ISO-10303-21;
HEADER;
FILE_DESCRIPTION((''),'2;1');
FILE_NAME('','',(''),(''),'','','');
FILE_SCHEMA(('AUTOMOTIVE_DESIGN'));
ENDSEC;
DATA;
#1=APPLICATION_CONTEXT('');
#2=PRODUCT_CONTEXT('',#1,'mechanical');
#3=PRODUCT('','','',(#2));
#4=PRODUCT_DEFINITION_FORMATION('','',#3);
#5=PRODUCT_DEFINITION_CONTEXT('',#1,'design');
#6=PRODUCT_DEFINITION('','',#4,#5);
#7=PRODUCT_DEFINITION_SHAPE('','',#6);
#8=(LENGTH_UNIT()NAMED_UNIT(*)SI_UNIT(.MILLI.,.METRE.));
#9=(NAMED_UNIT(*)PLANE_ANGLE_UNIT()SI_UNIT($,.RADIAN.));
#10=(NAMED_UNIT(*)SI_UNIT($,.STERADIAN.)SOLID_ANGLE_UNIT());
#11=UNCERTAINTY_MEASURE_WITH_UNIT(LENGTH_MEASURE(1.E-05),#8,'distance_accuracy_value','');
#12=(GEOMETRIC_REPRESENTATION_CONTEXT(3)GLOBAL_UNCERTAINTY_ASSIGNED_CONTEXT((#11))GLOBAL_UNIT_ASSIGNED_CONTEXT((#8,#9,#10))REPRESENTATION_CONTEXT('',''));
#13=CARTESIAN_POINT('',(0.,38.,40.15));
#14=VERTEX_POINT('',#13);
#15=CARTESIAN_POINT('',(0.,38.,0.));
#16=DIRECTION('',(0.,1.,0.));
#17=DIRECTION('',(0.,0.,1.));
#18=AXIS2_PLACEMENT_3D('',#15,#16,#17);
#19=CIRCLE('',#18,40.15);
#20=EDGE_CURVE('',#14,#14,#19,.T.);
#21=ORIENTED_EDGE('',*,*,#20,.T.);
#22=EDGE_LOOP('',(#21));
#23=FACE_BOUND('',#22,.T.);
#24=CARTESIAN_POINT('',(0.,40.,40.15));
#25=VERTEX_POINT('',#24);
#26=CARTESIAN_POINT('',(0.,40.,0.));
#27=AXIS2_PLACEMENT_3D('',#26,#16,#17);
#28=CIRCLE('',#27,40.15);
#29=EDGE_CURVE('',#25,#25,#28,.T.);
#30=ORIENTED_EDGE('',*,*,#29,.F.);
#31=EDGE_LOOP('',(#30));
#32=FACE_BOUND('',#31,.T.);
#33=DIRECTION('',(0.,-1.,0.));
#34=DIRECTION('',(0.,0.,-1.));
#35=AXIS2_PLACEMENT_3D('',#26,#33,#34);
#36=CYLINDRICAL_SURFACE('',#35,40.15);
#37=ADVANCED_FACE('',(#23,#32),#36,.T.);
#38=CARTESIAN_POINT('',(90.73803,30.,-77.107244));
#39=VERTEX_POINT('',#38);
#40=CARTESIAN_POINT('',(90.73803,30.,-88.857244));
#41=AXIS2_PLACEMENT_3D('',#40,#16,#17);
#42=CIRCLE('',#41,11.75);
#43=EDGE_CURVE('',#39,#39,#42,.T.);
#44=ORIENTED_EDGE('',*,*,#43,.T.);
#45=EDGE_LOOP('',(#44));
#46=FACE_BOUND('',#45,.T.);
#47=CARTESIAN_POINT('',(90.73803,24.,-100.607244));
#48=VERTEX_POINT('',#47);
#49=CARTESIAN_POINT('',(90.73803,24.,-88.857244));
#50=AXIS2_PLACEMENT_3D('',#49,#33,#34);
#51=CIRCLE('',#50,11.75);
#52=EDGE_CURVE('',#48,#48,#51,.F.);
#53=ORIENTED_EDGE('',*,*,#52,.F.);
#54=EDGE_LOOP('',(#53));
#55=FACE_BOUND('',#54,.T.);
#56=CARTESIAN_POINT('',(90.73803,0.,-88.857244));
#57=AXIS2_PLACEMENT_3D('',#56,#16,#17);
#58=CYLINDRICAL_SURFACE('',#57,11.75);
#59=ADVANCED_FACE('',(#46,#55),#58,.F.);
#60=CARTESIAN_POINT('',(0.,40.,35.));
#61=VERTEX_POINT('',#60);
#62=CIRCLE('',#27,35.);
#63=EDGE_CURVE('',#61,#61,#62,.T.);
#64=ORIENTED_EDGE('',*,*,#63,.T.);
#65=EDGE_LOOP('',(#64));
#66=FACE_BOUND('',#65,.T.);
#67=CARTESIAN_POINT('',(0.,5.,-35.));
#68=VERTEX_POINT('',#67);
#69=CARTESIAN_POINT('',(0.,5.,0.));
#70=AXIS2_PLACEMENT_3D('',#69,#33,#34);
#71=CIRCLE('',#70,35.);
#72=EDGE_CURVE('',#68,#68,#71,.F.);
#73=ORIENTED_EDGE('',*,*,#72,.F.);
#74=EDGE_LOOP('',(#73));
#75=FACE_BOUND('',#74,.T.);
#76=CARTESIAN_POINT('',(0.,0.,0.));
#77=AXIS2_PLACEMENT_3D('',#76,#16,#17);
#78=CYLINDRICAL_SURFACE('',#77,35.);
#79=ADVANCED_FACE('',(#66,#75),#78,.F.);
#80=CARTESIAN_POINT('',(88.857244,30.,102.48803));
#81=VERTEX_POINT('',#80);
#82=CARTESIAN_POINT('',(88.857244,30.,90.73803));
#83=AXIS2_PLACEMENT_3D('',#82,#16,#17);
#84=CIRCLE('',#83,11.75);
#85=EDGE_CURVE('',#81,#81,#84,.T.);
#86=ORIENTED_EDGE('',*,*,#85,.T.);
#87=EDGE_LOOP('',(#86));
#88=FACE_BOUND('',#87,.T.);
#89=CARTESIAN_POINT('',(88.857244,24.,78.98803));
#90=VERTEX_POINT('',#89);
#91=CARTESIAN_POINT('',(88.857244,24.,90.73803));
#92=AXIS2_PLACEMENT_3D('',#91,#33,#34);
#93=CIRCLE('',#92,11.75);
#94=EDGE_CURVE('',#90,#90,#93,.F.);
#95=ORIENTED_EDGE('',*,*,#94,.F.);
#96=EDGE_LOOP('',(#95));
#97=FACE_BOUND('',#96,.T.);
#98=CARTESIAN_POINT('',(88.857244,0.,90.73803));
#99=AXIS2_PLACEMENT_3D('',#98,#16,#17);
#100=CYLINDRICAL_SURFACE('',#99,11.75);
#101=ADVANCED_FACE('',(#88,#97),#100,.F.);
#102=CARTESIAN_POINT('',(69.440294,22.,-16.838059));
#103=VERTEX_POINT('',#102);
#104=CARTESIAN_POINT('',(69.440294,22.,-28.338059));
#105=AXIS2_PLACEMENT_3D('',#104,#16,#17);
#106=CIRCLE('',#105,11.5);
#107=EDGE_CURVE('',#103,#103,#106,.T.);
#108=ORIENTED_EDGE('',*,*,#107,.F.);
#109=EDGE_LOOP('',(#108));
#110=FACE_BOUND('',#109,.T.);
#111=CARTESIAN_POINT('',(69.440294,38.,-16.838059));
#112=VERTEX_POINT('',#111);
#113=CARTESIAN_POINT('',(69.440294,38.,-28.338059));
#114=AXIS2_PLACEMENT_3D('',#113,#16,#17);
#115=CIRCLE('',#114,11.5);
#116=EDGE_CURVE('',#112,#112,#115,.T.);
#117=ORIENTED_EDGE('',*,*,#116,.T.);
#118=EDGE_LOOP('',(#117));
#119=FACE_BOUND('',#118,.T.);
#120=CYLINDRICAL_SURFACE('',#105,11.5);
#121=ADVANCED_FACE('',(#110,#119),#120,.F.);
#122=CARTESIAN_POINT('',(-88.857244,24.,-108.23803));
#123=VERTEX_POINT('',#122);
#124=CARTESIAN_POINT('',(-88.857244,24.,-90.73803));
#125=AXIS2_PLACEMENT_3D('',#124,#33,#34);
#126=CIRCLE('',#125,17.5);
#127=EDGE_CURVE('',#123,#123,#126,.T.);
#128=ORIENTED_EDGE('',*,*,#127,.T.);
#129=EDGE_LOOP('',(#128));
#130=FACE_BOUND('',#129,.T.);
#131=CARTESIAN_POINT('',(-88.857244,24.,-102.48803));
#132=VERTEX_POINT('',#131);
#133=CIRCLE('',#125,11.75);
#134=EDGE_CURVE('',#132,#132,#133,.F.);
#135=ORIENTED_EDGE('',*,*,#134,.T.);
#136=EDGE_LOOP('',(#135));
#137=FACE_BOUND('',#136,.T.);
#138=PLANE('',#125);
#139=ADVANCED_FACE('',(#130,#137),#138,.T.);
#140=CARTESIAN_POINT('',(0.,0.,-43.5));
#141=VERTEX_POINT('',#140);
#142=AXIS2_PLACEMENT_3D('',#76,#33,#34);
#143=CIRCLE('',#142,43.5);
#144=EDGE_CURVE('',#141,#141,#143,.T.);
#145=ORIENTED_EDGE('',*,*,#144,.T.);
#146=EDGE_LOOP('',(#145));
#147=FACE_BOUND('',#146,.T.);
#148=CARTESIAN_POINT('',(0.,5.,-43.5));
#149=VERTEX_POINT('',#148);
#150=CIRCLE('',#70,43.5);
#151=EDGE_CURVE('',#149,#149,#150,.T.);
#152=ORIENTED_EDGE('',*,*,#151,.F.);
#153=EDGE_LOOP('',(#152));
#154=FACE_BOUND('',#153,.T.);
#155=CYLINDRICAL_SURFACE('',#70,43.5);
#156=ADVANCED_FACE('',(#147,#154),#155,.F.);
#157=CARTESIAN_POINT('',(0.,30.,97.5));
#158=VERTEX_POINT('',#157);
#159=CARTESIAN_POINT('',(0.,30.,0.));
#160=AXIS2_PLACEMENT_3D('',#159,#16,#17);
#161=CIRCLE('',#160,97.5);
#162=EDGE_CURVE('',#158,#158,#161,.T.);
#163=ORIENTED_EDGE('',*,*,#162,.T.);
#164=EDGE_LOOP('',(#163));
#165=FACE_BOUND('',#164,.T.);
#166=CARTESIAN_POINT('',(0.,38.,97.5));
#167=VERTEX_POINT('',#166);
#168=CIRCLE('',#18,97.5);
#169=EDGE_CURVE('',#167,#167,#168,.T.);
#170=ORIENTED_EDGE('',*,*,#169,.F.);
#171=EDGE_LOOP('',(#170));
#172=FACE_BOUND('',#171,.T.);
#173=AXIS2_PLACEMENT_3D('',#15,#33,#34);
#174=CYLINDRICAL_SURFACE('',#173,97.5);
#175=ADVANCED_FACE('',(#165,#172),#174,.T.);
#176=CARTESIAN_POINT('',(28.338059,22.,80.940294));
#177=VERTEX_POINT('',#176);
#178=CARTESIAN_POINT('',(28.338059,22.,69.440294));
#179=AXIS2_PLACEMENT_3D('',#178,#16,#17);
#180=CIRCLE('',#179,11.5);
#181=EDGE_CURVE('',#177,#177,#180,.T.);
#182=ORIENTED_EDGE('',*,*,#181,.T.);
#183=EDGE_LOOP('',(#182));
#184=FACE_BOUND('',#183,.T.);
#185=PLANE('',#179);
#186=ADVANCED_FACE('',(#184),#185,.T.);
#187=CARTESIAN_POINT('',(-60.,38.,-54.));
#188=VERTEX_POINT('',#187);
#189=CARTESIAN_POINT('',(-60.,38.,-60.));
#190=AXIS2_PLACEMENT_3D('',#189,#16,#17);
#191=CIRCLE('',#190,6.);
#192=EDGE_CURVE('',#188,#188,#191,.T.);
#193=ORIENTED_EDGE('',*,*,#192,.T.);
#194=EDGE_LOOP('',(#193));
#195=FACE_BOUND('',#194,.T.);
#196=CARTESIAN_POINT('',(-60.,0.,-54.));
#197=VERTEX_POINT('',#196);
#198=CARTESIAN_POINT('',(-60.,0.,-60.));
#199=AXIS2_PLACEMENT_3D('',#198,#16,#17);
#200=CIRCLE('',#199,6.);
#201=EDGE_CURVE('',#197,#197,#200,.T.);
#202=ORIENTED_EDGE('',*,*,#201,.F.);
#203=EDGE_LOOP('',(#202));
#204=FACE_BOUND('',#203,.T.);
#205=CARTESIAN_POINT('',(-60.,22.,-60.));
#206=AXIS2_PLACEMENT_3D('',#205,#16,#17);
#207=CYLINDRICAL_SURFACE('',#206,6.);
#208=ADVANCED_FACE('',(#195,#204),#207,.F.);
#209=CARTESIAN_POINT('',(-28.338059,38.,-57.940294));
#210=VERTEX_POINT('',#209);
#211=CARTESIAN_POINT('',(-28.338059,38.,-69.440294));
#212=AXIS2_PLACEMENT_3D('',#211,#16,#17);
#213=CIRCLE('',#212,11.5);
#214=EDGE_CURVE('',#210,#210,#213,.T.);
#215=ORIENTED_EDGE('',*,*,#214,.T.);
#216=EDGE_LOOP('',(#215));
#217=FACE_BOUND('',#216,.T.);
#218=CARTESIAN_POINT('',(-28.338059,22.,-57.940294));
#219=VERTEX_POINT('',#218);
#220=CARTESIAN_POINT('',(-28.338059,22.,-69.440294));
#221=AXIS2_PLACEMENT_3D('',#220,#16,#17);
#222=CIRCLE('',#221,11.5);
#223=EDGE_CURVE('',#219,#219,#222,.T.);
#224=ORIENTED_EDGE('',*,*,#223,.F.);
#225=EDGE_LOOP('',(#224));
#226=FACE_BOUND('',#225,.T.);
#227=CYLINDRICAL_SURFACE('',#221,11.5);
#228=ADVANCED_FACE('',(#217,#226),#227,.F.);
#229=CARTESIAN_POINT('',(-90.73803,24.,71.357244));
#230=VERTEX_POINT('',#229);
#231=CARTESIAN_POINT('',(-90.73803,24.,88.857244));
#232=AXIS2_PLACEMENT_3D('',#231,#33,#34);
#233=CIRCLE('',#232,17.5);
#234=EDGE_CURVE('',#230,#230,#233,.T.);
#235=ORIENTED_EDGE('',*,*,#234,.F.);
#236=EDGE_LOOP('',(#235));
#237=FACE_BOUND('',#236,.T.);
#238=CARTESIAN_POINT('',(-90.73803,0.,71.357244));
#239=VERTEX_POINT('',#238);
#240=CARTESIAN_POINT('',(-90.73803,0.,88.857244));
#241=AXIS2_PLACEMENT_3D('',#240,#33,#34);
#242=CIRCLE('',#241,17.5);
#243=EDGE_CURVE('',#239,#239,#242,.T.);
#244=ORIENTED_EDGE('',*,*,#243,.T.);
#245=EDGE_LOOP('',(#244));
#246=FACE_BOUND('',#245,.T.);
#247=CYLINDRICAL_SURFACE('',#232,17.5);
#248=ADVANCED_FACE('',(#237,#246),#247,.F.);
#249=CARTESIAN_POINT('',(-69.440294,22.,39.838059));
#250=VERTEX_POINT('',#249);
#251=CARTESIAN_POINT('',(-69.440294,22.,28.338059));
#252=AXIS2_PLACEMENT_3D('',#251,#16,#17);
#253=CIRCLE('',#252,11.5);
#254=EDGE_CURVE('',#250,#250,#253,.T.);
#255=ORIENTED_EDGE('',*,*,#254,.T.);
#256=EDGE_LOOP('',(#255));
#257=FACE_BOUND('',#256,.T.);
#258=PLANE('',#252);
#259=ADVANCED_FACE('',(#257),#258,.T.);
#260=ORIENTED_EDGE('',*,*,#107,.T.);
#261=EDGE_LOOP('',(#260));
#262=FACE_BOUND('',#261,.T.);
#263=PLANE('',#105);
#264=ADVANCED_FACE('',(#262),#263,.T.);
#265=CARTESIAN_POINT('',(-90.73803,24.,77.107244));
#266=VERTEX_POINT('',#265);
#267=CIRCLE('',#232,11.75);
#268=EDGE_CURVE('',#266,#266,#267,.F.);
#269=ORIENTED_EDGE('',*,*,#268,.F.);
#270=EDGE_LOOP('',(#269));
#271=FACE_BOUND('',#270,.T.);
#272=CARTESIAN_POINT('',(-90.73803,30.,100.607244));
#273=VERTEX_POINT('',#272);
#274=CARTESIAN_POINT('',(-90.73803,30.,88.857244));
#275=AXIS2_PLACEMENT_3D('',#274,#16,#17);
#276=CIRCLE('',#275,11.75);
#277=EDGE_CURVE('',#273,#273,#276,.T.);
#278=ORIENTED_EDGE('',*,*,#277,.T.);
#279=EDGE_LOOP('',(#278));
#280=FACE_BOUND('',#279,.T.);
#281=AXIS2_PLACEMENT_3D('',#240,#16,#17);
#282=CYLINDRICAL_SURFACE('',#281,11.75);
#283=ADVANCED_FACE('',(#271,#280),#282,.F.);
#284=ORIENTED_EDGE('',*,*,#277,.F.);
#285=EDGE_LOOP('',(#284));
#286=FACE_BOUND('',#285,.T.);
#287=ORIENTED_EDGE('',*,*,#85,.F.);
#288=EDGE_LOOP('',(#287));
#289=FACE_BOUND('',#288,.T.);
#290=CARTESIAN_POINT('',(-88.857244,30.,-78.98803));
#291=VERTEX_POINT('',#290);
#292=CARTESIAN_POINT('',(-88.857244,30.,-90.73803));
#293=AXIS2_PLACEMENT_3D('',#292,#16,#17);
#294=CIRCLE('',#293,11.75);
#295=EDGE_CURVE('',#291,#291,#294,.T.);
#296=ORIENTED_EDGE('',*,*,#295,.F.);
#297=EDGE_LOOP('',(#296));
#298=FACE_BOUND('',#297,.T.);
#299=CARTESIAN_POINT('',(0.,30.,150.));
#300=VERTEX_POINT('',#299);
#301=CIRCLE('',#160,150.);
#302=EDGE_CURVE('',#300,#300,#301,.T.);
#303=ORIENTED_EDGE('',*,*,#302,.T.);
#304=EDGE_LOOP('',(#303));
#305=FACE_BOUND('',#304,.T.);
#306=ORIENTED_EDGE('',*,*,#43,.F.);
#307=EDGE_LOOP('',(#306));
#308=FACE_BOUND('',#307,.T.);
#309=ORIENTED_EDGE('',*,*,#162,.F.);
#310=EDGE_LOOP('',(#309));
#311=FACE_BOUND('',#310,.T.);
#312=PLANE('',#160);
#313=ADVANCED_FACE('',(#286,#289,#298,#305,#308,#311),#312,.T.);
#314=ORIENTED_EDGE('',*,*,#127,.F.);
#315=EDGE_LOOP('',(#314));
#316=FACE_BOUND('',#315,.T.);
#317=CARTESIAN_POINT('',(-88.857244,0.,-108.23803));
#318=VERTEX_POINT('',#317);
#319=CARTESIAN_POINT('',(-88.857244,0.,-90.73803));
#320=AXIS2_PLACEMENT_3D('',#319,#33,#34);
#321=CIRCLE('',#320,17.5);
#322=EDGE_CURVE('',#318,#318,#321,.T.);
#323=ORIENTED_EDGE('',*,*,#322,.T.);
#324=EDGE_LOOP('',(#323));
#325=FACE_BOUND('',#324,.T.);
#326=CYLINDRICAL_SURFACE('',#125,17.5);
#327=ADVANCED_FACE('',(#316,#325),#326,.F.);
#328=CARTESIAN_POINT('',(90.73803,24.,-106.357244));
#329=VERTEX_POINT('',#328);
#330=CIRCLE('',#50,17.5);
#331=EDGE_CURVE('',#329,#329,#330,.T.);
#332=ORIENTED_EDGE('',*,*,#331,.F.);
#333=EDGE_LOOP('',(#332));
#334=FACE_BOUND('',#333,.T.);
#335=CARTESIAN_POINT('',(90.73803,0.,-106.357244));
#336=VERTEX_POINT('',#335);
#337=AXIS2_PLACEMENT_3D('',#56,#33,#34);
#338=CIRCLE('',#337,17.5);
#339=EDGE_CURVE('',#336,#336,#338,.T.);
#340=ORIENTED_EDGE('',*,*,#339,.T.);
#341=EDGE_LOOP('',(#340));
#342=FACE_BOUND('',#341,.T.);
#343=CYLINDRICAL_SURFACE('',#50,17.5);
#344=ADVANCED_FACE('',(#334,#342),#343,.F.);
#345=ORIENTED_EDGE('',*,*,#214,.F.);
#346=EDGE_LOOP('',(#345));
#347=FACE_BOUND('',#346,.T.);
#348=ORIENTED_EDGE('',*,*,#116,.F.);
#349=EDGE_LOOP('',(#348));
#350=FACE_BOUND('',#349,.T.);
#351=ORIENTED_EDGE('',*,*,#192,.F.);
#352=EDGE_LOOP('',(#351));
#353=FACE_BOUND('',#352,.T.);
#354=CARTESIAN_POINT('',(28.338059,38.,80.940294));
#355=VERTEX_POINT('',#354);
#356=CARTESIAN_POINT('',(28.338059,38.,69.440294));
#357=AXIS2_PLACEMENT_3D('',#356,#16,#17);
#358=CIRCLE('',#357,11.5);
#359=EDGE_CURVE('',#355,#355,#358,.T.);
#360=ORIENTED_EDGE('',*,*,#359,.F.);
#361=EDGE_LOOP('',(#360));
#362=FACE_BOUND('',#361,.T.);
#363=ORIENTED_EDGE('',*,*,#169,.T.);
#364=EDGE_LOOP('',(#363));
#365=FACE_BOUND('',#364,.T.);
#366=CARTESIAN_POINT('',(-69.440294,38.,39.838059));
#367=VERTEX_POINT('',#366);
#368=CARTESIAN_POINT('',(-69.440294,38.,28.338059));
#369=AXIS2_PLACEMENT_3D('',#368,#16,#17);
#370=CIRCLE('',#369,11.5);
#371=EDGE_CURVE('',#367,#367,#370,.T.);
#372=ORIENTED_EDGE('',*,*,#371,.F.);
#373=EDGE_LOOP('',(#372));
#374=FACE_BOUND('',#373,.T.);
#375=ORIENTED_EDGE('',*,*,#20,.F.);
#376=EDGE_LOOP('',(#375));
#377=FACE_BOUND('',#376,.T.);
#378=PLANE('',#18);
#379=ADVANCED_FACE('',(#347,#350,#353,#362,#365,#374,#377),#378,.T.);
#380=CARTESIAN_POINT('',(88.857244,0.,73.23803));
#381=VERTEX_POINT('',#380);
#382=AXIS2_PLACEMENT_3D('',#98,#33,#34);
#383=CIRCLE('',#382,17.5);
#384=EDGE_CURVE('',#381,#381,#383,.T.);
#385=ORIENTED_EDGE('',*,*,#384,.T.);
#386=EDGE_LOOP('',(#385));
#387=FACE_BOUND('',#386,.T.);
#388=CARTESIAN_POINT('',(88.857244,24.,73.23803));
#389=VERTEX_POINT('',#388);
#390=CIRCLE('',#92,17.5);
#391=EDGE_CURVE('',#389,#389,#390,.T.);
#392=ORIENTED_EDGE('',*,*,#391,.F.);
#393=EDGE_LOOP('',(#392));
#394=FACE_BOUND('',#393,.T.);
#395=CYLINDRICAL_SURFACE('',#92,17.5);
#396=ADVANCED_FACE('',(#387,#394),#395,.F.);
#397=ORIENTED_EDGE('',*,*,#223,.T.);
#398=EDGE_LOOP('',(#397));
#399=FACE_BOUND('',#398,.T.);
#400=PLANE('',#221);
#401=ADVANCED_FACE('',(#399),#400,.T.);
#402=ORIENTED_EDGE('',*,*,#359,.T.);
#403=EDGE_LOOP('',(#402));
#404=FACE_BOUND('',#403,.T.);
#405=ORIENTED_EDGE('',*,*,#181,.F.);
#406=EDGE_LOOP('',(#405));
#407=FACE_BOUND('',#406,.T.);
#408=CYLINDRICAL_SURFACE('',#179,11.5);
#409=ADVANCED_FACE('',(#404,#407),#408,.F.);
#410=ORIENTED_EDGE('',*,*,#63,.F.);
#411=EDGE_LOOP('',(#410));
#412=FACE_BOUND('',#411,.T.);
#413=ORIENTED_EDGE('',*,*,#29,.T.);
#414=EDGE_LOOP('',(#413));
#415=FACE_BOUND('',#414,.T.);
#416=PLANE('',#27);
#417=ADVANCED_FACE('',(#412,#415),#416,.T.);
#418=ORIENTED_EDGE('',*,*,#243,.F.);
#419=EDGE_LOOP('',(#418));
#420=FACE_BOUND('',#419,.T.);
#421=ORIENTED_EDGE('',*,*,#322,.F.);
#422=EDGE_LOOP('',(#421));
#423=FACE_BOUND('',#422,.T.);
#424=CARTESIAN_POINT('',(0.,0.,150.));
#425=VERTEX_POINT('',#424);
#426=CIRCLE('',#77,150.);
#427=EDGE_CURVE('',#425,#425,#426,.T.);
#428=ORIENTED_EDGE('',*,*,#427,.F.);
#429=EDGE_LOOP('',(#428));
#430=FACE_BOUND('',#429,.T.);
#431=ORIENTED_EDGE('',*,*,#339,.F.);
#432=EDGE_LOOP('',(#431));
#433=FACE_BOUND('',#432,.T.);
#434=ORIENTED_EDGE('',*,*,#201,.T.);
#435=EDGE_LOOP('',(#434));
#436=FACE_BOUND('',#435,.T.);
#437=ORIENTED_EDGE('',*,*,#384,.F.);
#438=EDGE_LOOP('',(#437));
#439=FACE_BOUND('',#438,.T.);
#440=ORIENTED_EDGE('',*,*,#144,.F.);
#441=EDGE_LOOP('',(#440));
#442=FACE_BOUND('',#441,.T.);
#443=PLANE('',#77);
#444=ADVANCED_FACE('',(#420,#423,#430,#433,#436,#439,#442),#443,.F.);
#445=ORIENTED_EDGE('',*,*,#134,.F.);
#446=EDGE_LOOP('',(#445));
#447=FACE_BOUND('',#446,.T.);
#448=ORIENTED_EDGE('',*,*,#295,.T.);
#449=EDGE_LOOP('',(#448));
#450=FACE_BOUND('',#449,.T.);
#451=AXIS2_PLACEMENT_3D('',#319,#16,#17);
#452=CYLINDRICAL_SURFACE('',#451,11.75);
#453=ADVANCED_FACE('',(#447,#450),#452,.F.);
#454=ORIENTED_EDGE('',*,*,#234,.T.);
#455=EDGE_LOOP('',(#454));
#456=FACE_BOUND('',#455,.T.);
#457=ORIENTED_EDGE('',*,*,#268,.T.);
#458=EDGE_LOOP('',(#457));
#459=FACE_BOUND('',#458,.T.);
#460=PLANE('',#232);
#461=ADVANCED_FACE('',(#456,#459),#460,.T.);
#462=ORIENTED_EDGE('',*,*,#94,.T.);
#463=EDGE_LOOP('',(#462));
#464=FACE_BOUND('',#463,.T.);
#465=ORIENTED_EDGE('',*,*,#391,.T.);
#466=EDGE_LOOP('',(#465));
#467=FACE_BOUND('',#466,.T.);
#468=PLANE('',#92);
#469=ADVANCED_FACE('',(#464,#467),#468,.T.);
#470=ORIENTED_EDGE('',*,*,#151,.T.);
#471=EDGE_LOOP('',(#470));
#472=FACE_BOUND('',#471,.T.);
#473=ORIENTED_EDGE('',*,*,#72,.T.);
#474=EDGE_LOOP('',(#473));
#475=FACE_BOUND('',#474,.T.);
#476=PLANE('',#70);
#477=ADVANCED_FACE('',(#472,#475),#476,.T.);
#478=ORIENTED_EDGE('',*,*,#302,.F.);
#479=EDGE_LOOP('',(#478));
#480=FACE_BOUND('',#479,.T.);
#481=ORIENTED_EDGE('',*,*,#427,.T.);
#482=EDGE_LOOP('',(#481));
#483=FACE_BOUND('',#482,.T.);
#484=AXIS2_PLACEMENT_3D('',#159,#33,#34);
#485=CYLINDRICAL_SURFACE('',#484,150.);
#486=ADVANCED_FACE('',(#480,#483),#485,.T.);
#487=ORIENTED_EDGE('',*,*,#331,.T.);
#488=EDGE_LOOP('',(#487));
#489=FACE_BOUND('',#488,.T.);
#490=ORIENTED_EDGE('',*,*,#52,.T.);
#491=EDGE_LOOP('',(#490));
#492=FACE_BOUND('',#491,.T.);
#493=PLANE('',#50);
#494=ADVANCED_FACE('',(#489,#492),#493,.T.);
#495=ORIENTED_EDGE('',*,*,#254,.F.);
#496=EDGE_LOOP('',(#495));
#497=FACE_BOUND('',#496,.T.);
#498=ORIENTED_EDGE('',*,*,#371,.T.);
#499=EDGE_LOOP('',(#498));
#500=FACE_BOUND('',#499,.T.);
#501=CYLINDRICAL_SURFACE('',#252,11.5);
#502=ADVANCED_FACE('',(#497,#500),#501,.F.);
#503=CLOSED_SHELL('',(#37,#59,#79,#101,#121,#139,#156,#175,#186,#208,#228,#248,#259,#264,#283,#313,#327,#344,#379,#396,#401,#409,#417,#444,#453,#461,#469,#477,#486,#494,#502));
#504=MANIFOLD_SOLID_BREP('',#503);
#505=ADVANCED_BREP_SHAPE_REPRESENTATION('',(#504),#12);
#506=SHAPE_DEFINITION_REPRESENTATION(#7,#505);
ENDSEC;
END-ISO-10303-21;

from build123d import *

# Parameters (mm, degrees)
IZIM1_R                     = 150
Y_KSEKLIK_EKSTR_ZYON1_DEPTH = 30
IZIM2_R                     = 97.5
Y_KSEKLIK_EKSTR_ZYON2_DEPTH = 8
IZIM3_R                     = 40.15
Y_KSEKLIK_EKSTR_ZYON3_DEPTH = 2
IZIM4_R                     = 35
KES_EKSTR_ZYON1_DEPTH       = 41
IZIM5_R                     = 43.5
KES_EKSTR_ZYON2_DEPTH       = 5
IZIM6_R                     = 11.5
IZIM6_R_2                   = 6
KES_EKSTR_ZYON4_DEPTH       = 16
IZIM7_R                     = 11.75
KES_EKSTR_ZYON5_DEPTH       = 31
IZIM8_R                     = 6
KES_EKSTR_ZYON6_DEPTH       = 23
IZIM9_R                     = 17.5
KES_EKSTR_ZYON7_DEPTH       = 24


with BuildPart() as part:
    # Çizim1 → Yükseklik-Ekstrüzyon1 (new body)
    with BuildSketch(Plane(origin=(0, 0, 0), x_dir=(1, 0, 0), z_dir=(0, 1, 0))):
        Circle(IZIM1_R)
    extrude(amount=Y_KSEKLIK_EKSTR_ZYON1_DEPTH)

    # Çizim2 → Yükseklik-Ekstrüzyon2 (add)
    with BuildSketch(Plane(origin=(0, 30, 0), x_dir=(1, 0, 0), z_dir=(0, 1, 0))):
        Circle(IZIM2_R)
    extrude(amount=Y_KSEKLIK_EKSTR_ZYON2_DEPTH)

    # Çizim3 → Yükseklik-Ekstrüzyon3 (add)
    with BuildSketch(Plane(origin=(0, 38, 0), x_dir=(1, 0, 0), z_dir=(0, 1, 0))):
        Circle(IZIM3_R)
    extrude(amount=Y_KSEKLIK_EKSTR_ZYON3_DEPTH)

    # Çizim4 → Kes-Ekstrüzyon1 (cut, through all)
    with BuildSketch(Plane(origin=(0, 40, 0), x_dir=(1, 0, 0), z_dir=(0, 1, 0))):
        Circle(IZIM4_R)
    extrude(amount=-KES_EKSTR_ZYON1_DEPTH, mode=Mode.SUBTRACT)

    # Çizim5 → Kes-Ekstrüzyon2 (cut)
    with BuildSketch(Plane.XZ):
        Circle(IZIM5_R)
    extrude(amount=-KES_EKSTR_ZYON2_DEPTH, mode=Mode.SUBTRACT)

    # Çizim6 → Kes-Ekstrüzyon4 (cut)
    with BuildSketch(Plane(origin=(0, 38, 0), x_dir=(1, 0, 0), z_dir=(0, 1, 0))):
        with Locations((-28.338059011, 69.440293861)):
            Circle(IZIM6_R)
        with Locations((69.440293861, 28.338059011)):
            Circle(IZIM6_R)
        with Locations((28.338059011, -69.440293861)):
            Circle(IZIM6_R)
        with Locations((-69.440293861, -28.338059011)):
            Circle(IZIM6_R)
        with Locations((-60, 60)):
            Circle(IZIM6_R_2)
    extrude(amount=-KES_EKSTR_ZYON4_DEPTH, mode=Mode.SUBTRACT)

    # Çizim7 → Kes-Ekstrüzyon5 (cut, through all)
    with BuildSketch(Plane(origin=(0, 30, 0), x_dir=(1, 0, 0), z_dir=(0, 1, 0))):
        with Locations((-88.857244245, 90.738030313)):
            Circle(IZIM7_R)
        with Locations((90.738030313, 88.857244245)):
            Circle(IZIM7_R)
        with Locations((88.857244245, -90.738030313)):
            Circle(IZIM7_R)
        with Locations((-90.738030313, -88.857244245)):
            Circle(IZIM7_R)
    extrude(amount=-KES_EKSTR_ZYON5_DEPTH, mode=Mode.SUBTRACT)

    # Çizim8 → Kes-Ekstrüzyon6 (cut, through all)
    with BuildSketch(Plane(origin=(0, 22, 0), x_dir=(1, 0, 0), z_dir=(0, 1, 0))):
        with Locations((-60, 60)):
            Circle(IZIM8_R)
    extrude(amount=-KES_EKSTR_ZYON6_DEPTH, mode=Mode.SUBTRACT)

    # Çizim9 → Kes-Ekstrüzyon7 (cut)
    with BuildSketch(Plane.XZ):
        with Locations((-90.738030313, 88.857244245)):
            Circle(IZIM9_R)
        with Locations((88.857244245, 90.738030313)):
            Circle(IZIM9_R)
        with Locations((90.738030313, -88.857244245)):
            Circle(IZIM9_R)
        with Locations((-88.857244245, -90.738030313)):
            Circle(IZIM9_R)
    extrude(amount=-KES_EKSTR_ZYON7_DEPTH, mode=Mode.SUBTRACT)


solid = part.part
